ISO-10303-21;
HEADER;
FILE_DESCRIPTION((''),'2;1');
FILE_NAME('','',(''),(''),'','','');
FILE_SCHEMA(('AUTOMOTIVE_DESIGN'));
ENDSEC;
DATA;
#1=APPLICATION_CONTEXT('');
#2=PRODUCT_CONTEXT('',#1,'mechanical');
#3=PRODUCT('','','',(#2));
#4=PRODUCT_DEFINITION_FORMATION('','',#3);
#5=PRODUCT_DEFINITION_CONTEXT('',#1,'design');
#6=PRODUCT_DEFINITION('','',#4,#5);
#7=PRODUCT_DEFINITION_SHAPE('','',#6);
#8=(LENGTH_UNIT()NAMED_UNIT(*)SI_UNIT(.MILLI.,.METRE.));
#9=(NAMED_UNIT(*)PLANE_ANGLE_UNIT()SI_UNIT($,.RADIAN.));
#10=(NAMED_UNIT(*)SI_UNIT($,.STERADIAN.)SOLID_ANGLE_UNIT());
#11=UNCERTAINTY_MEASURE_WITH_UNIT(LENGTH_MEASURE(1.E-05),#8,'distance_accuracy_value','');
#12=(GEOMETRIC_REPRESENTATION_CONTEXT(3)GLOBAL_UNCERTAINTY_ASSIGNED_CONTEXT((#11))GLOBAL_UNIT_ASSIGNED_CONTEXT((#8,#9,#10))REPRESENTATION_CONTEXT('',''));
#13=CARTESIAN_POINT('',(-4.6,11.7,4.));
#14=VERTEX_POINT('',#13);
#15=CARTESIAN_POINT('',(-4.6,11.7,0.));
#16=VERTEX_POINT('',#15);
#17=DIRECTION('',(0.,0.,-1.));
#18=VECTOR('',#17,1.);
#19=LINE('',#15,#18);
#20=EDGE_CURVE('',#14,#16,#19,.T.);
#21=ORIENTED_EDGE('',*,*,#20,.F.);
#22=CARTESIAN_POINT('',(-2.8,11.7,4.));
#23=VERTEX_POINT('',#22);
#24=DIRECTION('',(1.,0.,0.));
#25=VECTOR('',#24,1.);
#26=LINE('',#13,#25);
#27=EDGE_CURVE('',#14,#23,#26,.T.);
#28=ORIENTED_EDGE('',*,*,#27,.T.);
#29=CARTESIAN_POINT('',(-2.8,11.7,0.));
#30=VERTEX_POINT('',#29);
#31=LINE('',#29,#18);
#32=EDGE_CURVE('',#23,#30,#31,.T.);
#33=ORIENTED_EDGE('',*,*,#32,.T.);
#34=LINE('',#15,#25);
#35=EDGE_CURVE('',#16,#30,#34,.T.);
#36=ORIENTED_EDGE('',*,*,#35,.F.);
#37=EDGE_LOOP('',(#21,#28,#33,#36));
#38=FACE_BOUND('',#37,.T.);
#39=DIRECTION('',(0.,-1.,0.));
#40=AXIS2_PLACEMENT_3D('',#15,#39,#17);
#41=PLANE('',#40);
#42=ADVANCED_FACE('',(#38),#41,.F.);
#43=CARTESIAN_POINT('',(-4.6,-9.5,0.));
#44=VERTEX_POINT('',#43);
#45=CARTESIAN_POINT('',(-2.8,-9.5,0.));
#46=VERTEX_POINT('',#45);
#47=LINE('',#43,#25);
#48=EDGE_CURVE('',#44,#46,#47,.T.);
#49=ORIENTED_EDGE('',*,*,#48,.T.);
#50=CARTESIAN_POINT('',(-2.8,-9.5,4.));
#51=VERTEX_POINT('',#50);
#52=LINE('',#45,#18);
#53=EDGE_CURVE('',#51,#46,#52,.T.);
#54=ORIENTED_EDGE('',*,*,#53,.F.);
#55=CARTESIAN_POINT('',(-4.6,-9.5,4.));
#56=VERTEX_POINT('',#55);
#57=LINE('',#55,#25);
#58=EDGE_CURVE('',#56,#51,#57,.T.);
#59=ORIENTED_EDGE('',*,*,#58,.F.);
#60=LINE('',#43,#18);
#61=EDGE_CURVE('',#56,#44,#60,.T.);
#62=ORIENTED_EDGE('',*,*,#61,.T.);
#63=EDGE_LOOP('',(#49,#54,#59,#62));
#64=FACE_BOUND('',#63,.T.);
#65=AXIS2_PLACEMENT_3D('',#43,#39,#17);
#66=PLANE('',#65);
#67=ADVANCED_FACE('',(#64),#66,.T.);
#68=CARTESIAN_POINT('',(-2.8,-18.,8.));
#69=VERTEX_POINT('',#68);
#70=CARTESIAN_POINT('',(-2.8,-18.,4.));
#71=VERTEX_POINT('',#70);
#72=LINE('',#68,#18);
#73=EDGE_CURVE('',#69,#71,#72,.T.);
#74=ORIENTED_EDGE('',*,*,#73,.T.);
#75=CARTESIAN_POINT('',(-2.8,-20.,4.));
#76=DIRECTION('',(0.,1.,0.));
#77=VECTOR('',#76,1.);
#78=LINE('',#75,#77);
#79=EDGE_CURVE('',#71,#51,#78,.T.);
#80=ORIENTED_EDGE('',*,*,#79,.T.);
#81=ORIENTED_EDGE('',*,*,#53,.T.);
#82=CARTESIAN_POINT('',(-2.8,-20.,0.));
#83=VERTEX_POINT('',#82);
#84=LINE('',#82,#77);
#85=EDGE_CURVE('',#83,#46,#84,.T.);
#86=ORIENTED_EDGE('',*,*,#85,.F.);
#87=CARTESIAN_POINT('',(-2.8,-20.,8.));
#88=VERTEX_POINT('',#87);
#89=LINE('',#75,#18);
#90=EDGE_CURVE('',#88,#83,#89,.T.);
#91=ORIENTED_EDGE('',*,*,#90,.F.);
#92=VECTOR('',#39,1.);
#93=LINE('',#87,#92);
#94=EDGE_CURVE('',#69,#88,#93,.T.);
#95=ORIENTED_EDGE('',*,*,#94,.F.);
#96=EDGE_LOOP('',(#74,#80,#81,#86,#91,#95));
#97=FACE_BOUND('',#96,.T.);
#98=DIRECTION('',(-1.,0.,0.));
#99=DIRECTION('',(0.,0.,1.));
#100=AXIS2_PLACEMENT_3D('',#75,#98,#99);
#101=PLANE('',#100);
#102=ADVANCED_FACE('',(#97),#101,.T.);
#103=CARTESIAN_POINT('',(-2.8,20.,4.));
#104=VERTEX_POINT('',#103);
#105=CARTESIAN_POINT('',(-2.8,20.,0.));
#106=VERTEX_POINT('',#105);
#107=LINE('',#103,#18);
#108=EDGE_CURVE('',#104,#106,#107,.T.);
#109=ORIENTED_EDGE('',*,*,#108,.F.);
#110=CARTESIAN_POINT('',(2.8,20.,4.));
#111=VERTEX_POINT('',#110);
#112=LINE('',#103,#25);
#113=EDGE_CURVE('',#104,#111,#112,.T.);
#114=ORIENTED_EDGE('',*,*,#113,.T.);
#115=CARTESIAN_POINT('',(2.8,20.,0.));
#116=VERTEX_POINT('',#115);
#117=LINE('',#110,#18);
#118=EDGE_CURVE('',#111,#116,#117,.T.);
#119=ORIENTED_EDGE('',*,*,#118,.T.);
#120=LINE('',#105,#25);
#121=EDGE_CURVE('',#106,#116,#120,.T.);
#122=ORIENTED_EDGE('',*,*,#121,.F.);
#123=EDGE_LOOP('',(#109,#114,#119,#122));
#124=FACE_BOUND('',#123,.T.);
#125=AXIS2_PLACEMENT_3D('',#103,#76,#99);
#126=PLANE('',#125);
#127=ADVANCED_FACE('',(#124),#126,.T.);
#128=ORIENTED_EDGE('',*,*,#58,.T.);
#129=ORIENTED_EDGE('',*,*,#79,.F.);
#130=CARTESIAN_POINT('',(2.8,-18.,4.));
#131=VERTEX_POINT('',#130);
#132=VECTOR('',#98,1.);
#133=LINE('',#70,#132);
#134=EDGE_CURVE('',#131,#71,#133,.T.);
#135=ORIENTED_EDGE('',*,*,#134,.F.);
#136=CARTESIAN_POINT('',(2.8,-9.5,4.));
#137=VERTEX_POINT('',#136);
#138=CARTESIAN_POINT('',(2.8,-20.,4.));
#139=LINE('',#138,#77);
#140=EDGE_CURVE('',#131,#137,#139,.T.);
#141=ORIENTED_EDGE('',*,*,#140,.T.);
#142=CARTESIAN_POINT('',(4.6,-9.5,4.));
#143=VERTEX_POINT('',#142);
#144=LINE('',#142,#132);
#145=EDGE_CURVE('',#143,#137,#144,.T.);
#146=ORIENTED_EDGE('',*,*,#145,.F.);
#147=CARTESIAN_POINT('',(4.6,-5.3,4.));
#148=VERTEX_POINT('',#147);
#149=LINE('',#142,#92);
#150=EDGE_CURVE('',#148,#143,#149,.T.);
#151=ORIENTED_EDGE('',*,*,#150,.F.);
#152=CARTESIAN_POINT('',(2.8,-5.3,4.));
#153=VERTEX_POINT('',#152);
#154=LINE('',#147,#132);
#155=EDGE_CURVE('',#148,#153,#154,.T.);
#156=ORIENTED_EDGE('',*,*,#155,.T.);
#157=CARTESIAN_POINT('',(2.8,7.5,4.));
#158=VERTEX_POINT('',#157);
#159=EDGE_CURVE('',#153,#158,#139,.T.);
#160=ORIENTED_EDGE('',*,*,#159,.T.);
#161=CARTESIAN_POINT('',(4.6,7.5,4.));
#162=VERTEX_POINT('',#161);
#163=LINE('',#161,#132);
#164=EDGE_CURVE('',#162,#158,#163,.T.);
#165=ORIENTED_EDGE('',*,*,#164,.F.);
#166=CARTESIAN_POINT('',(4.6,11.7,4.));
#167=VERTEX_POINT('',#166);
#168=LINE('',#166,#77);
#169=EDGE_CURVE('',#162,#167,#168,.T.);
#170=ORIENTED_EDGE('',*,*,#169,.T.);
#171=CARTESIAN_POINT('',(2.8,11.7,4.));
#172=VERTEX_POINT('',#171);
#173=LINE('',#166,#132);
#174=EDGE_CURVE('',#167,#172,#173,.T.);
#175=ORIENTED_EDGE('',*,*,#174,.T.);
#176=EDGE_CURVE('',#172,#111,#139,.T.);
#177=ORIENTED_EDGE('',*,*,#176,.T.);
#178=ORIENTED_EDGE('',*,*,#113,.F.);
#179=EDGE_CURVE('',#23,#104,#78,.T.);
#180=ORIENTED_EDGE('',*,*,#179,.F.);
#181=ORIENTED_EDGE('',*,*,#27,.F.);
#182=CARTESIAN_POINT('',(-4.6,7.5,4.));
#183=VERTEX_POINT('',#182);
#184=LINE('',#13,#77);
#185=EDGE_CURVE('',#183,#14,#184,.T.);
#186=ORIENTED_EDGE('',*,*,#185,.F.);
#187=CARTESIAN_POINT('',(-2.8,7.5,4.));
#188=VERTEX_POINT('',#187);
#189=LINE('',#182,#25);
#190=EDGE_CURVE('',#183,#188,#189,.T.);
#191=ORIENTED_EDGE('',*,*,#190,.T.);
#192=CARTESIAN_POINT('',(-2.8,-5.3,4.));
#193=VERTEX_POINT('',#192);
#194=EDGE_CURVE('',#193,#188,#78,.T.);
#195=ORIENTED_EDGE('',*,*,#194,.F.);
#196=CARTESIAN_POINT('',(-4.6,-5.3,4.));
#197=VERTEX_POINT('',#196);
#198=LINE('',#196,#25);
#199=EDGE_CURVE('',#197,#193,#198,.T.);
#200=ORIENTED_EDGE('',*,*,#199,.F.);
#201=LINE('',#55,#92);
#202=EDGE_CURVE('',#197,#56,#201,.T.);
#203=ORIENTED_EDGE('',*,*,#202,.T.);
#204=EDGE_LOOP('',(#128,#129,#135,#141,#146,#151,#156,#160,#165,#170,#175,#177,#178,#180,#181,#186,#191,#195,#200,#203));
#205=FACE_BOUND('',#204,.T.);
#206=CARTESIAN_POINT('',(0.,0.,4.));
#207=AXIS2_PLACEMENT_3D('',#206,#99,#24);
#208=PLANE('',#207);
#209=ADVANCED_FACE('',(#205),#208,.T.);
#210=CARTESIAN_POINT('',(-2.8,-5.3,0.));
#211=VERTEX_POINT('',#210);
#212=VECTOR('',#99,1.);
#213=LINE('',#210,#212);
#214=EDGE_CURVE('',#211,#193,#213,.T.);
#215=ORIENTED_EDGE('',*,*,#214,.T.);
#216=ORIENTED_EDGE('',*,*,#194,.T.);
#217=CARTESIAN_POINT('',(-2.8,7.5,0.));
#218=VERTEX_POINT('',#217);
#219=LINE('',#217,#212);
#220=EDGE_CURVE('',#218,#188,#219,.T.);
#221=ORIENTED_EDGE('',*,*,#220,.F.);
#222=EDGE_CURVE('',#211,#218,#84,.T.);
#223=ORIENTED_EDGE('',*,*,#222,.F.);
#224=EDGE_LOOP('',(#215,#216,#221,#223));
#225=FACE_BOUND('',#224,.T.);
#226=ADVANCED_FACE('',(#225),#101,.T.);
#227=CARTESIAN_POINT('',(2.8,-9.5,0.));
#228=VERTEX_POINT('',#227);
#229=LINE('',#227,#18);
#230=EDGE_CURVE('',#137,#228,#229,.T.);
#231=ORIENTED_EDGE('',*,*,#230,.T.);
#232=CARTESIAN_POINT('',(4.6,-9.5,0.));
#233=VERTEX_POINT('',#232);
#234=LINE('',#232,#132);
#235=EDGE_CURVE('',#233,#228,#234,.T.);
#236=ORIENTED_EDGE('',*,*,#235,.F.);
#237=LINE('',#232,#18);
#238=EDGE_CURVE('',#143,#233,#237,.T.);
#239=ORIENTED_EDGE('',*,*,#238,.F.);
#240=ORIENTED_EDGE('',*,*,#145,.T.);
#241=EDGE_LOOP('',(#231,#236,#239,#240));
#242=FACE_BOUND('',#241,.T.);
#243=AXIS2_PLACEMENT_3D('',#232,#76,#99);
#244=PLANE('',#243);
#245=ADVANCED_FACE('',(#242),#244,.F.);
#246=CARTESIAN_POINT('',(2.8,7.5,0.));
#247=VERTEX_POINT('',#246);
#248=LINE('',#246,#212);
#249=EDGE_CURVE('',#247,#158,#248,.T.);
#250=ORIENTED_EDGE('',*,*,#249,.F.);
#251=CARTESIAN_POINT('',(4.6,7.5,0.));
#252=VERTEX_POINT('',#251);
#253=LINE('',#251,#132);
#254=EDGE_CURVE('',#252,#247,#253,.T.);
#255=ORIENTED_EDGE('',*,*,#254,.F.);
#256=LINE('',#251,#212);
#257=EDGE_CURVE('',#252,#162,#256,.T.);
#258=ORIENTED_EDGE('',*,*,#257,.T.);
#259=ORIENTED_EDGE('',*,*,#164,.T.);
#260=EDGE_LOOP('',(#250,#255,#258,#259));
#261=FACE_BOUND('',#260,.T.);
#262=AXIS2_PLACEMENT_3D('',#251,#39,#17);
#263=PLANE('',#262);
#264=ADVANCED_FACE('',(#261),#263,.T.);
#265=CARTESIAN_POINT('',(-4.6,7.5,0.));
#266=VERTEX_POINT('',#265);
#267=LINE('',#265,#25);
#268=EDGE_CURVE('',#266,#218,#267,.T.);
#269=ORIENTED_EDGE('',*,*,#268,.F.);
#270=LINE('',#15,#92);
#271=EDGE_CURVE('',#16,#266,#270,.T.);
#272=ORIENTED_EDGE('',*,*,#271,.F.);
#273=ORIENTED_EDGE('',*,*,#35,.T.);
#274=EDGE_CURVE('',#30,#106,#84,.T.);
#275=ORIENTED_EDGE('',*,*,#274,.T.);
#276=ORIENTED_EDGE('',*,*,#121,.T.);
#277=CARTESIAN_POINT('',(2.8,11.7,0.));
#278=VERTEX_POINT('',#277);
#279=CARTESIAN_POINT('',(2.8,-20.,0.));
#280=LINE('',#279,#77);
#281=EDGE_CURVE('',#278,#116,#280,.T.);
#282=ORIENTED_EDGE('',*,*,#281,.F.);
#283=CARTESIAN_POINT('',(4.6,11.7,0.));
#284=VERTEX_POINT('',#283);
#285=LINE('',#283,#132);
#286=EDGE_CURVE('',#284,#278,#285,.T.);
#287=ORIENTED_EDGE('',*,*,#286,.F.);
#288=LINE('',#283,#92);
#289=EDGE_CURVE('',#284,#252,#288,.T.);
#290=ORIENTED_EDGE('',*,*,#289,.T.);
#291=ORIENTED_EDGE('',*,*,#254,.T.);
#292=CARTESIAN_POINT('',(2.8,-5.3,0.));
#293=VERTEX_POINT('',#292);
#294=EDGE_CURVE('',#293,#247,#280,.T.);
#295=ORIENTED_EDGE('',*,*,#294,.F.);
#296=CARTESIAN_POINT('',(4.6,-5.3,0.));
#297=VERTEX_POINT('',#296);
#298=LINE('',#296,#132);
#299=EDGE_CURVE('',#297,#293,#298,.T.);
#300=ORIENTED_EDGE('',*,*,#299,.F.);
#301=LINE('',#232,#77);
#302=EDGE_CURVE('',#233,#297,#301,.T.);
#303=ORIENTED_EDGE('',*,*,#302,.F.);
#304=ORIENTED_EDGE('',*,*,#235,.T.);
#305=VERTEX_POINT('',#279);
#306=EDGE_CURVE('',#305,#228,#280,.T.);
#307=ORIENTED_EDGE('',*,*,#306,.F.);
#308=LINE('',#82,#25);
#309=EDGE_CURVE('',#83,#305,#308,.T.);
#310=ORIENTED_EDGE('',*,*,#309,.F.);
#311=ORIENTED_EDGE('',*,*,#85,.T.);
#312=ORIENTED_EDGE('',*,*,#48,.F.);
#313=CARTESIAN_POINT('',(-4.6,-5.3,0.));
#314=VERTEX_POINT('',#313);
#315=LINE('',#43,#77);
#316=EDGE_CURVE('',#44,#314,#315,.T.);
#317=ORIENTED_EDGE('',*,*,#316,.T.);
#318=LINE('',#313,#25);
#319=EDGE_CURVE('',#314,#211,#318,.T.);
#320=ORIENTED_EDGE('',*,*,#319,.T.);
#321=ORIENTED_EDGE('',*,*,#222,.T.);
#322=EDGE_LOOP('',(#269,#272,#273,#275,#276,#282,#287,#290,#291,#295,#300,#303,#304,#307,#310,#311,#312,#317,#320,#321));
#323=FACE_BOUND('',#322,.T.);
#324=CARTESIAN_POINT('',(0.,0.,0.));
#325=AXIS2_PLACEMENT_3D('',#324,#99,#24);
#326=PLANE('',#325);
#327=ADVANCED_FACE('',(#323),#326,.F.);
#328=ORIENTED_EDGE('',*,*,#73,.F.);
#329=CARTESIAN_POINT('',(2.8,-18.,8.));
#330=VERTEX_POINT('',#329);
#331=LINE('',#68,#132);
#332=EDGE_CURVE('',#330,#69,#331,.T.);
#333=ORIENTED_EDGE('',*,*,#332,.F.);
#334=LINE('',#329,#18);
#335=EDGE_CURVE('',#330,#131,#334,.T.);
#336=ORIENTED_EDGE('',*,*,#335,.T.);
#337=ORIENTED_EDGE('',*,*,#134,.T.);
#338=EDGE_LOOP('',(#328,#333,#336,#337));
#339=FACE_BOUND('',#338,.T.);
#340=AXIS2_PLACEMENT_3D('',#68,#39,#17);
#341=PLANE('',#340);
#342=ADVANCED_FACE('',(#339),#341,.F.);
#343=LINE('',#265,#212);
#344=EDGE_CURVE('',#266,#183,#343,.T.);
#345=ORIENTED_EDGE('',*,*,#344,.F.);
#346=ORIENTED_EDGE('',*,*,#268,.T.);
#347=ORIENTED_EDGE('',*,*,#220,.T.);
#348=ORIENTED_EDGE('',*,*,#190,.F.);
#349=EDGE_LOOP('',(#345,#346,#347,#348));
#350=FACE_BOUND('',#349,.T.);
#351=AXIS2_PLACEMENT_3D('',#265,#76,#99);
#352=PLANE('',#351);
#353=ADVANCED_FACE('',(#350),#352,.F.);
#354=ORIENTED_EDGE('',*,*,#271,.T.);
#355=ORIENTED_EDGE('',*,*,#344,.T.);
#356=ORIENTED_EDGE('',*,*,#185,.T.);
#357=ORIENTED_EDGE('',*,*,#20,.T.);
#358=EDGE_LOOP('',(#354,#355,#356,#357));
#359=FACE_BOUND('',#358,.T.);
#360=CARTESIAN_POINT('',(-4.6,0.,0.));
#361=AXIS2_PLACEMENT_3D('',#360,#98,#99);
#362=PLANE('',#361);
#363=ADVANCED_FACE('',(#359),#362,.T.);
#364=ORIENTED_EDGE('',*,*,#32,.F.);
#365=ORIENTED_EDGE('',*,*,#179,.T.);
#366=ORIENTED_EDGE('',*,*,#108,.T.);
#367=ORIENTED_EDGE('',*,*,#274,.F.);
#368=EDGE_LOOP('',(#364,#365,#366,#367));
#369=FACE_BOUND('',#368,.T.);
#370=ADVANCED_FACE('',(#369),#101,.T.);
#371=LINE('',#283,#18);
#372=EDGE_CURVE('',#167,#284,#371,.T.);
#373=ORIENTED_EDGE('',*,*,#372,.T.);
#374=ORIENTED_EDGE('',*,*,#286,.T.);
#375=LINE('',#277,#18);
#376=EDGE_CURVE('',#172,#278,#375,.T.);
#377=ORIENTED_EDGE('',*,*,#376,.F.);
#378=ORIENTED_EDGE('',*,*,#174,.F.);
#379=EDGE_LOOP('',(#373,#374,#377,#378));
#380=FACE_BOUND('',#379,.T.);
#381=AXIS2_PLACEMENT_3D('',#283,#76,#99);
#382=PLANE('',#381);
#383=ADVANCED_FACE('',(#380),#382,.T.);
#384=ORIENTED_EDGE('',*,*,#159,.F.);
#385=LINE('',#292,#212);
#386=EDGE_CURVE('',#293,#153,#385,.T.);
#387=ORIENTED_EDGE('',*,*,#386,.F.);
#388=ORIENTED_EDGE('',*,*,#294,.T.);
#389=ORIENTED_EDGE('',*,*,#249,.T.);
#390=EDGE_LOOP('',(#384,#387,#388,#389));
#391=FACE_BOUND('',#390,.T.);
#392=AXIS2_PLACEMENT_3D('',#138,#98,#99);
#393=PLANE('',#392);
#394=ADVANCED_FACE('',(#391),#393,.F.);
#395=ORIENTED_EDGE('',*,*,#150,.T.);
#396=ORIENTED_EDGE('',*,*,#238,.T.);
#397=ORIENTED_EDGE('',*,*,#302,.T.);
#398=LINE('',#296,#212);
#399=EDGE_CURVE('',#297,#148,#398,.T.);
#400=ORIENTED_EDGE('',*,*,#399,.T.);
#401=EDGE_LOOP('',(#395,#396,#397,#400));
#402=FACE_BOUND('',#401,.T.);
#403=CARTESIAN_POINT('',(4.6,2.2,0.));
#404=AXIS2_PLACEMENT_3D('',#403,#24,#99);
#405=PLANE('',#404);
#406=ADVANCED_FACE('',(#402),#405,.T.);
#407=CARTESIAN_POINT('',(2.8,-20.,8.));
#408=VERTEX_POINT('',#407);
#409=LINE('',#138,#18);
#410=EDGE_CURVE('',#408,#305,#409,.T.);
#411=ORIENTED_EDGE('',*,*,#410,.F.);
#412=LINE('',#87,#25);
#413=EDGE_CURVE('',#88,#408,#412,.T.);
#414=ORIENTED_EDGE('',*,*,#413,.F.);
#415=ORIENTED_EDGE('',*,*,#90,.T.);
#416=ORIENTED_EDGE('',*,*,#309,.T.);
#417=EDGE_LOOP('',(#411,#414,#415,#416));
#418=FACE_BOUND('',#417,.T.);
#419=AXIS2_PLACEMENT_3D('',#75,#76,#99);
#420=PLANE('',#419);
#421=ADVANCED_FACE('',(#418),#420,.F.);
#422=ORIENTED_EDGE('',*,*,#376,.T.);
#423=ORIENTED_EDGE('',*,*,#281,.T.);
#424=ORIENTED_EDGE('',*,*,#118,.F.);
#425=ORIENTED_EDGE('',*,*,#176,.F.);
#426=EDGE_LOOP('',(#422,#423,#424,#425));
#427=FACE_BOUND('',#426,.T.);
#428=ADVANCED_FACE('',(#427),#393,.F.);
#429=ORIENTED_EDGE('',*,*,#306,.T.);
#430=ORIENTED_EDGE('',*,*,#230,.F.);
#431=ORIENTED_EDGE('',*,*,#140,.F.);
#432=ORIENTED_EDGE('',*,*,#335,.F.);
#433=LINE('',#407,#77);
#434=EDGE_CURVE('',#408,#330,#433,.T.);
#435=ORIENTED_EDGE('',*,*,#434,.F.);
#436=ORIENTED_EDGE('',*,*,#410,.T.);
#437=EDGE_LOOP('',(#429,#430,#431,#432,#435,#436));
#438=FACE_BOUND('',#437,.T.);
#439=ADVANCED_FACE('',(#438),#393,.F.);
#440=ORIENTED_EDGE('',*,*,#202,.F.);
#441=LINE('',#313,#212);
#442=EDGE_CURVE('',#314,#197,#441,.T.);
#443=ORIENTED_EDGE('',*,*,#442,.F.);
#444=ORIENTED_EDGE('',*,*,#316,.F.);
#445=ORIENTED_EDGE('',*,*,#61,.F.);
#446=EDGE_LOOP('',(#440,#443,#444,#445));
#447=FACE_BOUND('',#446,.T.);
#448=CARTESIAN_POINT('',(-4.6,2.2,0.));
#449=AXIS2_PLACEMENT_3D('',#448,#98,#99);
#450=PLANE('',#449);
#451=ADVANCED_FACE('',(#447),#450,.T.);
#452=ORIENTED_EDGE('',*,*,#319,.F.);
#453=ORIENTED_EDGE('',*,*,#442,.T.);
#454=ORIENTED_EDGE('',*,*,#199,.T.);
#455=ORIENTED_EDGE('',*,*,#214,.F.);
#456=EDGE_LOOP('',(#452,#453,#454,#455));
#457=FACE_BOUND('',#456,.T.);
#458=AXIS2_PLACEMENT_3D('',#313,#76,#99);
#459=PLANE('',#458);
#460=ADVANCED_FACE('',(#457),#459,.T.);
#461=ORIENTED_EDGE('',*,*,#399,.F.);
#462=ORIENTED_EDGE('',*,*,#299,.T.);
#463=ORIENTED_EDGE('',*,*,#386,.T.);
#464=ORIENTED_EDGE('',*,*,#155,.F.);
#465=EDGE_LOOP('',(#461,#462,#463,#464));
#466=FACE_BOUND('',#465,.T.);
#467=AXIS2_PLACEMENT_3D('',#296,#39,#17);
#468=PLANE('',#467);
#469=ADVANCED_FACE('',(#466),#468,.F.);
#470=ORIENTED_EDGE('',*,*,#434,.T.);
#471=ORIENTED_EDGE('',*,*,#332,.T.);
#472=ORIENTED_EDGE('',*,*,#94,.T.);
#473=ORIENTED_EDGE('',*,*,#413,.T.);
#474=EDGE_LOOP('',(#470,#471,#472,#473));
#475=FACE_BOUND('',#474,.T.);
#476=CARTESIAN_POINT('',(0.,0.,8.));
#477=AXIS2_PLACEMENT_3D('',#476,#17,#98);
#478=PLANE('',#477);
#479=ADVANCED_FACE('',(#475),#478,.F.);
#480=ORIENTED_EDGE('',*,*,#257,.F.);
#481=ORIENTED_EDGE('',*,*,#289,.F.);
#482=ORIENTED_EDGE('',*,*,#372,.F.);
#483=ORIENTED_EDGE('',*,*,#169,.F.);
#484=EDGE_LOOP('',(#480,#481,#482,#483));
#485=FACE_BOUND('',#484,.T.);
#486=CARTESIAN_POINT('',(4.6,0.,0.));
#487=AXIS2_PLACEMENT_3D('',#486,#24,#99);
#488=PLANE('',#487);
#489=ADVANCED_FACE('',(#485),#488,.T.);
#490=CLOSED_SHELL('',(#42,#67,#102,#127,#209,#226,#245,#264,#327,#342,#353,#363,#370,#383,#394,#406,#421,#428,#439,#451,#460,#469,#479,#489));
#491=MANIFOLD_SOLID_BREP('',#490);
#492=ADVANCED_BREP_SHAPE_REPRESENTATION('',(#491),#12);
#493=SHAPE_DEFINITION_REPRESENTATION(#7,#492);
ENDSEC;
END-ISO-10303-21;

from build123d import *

# Parameters (mm, degrees)
SKETCH1_W               = 5.6
SKETCH1_H               = 40
BOSS_EXTRUDE1_DEPTH     = 4
SKETCH2_W               = 5.6
SKETCH2_H               = 2
BOSS_EXTRUDE2_DEPTH     = 4
SKETCH4_W               = 4
SKETCH4_H               = 4.2
BOSS_EXTRUDE3_DEPTH     = 1.8
MIRROR2_COPY_1_SKETCH_W = 4
MIRROR2_COPY_1_SKETCH_H = 4.2
MIRROR2_COPY_1_DEPTH    = 1.8


with BuildPart() as part:
    # Sketch1 → Boss-Extrude1 (new body)
    with BuildSketch(Plane.XY):
        Rectangle(SKETCH1_W, SKETCH1_H)
    extrude(amount=BOSS_EXTRUDE1_DEPTH)

    # Sketch2 → Boss-Extrude2 (add)
    with BuildSketch(Plane.XY.offset(4)):
        with Locations((0, -19)):
            Rectangle(SKETCH2_W, SKETCH2_H)
    extrude(amount=BOSS_EXTRUDE2_DEPTH)

    # Sketch4 → Boss-Extrude3 (add)
    with BuildSketch(Plane.ZY.offset(2.8)):
        with Locations((2, 9.6)):
            Rectangle(SKETCH4_W, SKETCH4_H)
    boss_extrude3 = extrude(amount=BOSS_EXTRUDE3_DEPTH)

    # Mirror1: Boss-Extrude3 across plane
    add(boss_extrude3.mirror(Plane.ZY))

    # Mirror2: Boss-Extrude3 across plane
    add(boss_extrude3.mirror(Plane(origin=(0, 1.1, 0), x_dir=(0, 0, 1), z_dir=(0, -1, 0))))

    # Mirror2 copy 1 sketch → Mirror2 copy 1 (add)
    with BuildSketch(Plane(origin=(2.8, 2.2, 0), x_dir=(0, 0, 1), z_dir=(1, 0, 0))):
        with Locations((2, 9.6)):
            Rectangle(MIRROR2_COPY_1_SKETCH_W, MIRROR2_COPY_1_SKETCH_H)
    extrude(amount=MIRROR2_COPY_1_DEPTH)


solid = part.part
